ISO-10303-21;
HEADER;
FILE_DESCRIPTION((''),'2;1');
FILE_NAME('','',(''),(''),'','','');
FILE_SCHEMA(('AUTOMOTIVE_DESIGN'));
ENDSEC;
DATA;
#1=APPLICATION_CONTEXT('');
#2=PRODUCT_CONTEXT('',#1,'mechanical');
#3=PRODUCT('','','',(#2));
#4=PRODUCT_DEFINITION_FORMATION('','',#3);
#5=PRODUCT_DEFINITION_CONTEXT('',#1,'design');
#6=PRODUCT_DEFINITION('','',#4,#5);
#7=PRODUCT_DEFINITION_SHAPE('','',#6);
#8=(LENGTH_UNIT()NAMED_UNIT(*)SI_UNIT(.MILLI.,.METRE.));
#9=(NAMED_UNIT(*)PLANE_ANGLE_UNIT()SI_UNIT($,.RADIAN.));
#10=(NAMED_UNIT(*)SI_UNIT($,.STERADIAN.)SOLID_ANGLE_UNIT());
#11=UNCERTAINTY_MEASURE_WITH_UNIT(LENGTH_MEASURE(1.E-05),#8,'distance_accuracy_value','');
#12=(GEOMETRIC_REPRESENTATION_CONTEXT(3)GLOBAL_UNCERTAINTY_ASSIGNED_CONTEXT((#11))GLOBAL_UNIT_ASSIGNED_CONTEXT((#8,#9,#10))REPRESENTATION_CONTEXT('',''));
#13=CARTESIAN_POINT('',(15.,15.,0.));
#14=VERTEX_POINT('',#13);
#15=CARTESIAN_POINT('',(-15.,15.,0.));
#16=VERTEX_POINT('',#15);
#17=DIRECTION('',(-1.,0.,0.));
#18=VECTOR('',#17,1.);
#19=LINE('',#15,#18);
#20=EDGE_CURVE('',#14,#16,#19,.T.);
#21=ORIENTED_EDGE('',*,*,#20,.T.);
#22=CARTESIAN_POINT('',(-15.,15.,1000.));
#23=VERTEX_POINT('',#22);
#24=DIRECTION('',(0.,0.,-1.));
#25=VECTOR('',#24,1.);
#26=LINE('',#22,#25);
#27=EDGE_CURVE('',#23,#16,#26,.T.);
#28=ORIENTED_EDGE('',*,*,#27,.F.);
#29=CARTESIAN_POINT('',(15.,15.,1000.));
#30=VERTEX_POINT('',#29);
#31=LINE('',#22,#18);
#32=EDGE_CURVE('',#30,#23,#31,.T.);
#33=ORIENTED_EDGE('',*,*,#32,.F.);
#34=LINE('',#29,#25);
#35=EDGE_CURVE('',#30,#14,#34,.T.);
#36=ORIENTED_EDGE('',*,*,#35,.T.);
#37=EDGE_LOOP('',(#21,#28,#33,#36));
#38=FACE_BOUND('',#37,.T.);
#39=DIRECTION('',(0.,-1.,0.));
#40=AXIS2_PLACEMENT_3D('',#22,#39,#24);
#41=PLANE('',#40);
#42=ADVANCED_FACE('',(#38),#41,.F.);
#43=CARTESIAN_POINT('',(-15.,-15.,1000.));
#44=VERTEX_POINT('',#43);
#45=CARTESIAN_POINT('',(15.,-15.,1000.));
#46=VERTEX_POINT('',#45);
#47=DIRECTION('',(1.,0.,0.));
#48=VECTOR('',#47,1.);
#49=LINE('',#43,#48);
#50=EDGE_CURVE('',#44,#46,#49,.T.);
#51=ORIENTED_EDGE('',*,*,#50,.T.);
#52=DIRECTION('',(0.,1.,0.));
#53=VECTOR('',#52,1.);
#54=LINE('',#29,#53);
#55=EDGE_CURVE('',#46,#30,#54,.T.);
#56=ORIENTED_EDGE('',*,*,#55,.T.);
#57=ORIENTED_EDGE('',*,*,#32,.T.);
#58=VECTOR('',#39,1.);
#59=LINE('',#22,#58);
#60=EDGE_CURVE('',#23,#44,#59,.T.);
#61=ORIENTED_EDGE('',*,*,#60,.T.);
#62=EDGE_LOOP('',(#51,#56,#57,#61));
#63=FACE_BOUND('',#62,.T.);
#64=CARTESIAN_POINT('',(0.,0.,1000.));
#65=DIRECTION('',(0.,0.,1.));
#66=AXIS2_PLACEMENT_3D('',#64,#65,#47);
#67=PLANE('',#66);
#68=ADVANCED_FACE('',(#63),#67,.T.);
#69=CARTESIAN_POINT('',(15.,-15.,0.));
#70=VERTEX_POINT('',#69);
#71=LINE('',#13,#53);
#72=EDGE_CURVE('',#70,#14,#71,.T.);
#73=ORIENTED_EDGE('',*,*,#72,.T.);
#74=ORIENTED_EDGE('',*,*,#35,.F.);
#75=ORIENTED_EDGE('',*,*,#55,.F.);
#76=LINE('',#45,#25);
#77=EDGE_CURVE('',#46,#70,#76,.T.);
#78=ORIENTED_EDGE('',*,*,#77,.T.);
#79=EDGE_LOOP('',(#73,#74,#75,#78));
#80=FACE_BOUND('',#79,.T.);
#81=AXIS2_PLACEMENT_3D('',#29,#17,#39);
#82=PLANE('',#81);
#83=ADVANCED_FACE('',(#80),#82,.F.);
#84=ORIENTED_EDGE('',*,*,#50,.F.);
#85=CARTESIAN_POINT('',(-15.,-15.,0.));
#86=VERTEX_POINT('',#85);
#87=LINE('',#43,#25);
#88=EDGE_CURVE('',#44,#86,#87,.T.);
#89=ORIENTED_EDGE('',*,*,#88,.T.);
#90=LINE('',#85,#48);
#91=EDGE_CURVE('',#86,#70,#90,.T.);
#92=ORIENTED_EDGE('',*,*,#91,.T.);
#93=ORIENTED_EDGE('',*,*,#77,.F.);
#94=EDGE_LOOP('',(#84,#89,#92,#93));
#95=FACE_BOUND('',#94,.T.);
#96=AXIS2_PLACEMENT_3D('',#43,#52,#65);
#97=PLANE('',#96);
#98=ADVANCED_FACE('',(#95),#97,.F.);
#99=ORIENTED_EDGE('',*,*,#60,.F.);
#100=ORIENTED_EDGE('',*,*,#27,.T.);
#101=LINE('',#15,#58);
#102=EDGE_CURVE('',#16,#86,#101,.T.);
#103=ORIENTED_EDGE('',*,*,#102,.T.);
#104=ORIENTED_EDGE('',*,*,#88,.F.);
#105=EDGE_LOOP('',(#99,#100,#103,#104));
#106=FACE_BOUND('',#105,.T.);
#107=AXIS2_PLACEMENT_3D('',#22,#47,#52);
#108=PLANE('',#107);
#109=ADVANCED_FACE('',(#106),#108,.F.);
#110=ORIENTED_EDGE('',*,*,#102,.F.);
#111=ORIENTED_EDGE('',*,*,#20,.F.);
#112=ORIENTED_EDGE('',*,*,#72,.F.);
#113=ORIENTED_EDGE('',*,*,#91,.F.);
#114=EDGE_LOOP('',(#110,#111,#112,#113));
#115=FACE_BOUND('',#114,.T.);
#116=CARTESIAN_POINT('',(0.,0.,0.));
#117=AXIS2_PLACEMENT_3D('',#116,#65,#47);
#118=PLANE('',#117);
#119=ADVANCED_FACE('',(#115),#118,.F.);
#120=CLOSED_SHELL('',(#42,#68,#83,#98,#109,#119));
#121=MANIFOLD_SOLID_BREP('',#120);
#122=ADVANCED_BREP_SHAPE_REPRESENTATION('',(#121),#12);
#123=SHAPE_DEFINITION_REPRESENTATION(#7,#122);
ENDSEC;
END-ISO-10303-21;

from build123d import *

# Parameters (mm, degrees)
SKETCH_1_W      = 30
SKETCH_1_H      = 30
EXTRUDE_1_DEPTH = 1000


with BuildPart() as part:
    # 草图1 → 凸台-拉伸1 (new body)
    with BuildSketch(Plane.XY):
        Rectangle(SKETCH_1_W, SKETCH_1_H)
    extrude(amount=EXTRUDE_1_DEPTH)


solid = part.part
